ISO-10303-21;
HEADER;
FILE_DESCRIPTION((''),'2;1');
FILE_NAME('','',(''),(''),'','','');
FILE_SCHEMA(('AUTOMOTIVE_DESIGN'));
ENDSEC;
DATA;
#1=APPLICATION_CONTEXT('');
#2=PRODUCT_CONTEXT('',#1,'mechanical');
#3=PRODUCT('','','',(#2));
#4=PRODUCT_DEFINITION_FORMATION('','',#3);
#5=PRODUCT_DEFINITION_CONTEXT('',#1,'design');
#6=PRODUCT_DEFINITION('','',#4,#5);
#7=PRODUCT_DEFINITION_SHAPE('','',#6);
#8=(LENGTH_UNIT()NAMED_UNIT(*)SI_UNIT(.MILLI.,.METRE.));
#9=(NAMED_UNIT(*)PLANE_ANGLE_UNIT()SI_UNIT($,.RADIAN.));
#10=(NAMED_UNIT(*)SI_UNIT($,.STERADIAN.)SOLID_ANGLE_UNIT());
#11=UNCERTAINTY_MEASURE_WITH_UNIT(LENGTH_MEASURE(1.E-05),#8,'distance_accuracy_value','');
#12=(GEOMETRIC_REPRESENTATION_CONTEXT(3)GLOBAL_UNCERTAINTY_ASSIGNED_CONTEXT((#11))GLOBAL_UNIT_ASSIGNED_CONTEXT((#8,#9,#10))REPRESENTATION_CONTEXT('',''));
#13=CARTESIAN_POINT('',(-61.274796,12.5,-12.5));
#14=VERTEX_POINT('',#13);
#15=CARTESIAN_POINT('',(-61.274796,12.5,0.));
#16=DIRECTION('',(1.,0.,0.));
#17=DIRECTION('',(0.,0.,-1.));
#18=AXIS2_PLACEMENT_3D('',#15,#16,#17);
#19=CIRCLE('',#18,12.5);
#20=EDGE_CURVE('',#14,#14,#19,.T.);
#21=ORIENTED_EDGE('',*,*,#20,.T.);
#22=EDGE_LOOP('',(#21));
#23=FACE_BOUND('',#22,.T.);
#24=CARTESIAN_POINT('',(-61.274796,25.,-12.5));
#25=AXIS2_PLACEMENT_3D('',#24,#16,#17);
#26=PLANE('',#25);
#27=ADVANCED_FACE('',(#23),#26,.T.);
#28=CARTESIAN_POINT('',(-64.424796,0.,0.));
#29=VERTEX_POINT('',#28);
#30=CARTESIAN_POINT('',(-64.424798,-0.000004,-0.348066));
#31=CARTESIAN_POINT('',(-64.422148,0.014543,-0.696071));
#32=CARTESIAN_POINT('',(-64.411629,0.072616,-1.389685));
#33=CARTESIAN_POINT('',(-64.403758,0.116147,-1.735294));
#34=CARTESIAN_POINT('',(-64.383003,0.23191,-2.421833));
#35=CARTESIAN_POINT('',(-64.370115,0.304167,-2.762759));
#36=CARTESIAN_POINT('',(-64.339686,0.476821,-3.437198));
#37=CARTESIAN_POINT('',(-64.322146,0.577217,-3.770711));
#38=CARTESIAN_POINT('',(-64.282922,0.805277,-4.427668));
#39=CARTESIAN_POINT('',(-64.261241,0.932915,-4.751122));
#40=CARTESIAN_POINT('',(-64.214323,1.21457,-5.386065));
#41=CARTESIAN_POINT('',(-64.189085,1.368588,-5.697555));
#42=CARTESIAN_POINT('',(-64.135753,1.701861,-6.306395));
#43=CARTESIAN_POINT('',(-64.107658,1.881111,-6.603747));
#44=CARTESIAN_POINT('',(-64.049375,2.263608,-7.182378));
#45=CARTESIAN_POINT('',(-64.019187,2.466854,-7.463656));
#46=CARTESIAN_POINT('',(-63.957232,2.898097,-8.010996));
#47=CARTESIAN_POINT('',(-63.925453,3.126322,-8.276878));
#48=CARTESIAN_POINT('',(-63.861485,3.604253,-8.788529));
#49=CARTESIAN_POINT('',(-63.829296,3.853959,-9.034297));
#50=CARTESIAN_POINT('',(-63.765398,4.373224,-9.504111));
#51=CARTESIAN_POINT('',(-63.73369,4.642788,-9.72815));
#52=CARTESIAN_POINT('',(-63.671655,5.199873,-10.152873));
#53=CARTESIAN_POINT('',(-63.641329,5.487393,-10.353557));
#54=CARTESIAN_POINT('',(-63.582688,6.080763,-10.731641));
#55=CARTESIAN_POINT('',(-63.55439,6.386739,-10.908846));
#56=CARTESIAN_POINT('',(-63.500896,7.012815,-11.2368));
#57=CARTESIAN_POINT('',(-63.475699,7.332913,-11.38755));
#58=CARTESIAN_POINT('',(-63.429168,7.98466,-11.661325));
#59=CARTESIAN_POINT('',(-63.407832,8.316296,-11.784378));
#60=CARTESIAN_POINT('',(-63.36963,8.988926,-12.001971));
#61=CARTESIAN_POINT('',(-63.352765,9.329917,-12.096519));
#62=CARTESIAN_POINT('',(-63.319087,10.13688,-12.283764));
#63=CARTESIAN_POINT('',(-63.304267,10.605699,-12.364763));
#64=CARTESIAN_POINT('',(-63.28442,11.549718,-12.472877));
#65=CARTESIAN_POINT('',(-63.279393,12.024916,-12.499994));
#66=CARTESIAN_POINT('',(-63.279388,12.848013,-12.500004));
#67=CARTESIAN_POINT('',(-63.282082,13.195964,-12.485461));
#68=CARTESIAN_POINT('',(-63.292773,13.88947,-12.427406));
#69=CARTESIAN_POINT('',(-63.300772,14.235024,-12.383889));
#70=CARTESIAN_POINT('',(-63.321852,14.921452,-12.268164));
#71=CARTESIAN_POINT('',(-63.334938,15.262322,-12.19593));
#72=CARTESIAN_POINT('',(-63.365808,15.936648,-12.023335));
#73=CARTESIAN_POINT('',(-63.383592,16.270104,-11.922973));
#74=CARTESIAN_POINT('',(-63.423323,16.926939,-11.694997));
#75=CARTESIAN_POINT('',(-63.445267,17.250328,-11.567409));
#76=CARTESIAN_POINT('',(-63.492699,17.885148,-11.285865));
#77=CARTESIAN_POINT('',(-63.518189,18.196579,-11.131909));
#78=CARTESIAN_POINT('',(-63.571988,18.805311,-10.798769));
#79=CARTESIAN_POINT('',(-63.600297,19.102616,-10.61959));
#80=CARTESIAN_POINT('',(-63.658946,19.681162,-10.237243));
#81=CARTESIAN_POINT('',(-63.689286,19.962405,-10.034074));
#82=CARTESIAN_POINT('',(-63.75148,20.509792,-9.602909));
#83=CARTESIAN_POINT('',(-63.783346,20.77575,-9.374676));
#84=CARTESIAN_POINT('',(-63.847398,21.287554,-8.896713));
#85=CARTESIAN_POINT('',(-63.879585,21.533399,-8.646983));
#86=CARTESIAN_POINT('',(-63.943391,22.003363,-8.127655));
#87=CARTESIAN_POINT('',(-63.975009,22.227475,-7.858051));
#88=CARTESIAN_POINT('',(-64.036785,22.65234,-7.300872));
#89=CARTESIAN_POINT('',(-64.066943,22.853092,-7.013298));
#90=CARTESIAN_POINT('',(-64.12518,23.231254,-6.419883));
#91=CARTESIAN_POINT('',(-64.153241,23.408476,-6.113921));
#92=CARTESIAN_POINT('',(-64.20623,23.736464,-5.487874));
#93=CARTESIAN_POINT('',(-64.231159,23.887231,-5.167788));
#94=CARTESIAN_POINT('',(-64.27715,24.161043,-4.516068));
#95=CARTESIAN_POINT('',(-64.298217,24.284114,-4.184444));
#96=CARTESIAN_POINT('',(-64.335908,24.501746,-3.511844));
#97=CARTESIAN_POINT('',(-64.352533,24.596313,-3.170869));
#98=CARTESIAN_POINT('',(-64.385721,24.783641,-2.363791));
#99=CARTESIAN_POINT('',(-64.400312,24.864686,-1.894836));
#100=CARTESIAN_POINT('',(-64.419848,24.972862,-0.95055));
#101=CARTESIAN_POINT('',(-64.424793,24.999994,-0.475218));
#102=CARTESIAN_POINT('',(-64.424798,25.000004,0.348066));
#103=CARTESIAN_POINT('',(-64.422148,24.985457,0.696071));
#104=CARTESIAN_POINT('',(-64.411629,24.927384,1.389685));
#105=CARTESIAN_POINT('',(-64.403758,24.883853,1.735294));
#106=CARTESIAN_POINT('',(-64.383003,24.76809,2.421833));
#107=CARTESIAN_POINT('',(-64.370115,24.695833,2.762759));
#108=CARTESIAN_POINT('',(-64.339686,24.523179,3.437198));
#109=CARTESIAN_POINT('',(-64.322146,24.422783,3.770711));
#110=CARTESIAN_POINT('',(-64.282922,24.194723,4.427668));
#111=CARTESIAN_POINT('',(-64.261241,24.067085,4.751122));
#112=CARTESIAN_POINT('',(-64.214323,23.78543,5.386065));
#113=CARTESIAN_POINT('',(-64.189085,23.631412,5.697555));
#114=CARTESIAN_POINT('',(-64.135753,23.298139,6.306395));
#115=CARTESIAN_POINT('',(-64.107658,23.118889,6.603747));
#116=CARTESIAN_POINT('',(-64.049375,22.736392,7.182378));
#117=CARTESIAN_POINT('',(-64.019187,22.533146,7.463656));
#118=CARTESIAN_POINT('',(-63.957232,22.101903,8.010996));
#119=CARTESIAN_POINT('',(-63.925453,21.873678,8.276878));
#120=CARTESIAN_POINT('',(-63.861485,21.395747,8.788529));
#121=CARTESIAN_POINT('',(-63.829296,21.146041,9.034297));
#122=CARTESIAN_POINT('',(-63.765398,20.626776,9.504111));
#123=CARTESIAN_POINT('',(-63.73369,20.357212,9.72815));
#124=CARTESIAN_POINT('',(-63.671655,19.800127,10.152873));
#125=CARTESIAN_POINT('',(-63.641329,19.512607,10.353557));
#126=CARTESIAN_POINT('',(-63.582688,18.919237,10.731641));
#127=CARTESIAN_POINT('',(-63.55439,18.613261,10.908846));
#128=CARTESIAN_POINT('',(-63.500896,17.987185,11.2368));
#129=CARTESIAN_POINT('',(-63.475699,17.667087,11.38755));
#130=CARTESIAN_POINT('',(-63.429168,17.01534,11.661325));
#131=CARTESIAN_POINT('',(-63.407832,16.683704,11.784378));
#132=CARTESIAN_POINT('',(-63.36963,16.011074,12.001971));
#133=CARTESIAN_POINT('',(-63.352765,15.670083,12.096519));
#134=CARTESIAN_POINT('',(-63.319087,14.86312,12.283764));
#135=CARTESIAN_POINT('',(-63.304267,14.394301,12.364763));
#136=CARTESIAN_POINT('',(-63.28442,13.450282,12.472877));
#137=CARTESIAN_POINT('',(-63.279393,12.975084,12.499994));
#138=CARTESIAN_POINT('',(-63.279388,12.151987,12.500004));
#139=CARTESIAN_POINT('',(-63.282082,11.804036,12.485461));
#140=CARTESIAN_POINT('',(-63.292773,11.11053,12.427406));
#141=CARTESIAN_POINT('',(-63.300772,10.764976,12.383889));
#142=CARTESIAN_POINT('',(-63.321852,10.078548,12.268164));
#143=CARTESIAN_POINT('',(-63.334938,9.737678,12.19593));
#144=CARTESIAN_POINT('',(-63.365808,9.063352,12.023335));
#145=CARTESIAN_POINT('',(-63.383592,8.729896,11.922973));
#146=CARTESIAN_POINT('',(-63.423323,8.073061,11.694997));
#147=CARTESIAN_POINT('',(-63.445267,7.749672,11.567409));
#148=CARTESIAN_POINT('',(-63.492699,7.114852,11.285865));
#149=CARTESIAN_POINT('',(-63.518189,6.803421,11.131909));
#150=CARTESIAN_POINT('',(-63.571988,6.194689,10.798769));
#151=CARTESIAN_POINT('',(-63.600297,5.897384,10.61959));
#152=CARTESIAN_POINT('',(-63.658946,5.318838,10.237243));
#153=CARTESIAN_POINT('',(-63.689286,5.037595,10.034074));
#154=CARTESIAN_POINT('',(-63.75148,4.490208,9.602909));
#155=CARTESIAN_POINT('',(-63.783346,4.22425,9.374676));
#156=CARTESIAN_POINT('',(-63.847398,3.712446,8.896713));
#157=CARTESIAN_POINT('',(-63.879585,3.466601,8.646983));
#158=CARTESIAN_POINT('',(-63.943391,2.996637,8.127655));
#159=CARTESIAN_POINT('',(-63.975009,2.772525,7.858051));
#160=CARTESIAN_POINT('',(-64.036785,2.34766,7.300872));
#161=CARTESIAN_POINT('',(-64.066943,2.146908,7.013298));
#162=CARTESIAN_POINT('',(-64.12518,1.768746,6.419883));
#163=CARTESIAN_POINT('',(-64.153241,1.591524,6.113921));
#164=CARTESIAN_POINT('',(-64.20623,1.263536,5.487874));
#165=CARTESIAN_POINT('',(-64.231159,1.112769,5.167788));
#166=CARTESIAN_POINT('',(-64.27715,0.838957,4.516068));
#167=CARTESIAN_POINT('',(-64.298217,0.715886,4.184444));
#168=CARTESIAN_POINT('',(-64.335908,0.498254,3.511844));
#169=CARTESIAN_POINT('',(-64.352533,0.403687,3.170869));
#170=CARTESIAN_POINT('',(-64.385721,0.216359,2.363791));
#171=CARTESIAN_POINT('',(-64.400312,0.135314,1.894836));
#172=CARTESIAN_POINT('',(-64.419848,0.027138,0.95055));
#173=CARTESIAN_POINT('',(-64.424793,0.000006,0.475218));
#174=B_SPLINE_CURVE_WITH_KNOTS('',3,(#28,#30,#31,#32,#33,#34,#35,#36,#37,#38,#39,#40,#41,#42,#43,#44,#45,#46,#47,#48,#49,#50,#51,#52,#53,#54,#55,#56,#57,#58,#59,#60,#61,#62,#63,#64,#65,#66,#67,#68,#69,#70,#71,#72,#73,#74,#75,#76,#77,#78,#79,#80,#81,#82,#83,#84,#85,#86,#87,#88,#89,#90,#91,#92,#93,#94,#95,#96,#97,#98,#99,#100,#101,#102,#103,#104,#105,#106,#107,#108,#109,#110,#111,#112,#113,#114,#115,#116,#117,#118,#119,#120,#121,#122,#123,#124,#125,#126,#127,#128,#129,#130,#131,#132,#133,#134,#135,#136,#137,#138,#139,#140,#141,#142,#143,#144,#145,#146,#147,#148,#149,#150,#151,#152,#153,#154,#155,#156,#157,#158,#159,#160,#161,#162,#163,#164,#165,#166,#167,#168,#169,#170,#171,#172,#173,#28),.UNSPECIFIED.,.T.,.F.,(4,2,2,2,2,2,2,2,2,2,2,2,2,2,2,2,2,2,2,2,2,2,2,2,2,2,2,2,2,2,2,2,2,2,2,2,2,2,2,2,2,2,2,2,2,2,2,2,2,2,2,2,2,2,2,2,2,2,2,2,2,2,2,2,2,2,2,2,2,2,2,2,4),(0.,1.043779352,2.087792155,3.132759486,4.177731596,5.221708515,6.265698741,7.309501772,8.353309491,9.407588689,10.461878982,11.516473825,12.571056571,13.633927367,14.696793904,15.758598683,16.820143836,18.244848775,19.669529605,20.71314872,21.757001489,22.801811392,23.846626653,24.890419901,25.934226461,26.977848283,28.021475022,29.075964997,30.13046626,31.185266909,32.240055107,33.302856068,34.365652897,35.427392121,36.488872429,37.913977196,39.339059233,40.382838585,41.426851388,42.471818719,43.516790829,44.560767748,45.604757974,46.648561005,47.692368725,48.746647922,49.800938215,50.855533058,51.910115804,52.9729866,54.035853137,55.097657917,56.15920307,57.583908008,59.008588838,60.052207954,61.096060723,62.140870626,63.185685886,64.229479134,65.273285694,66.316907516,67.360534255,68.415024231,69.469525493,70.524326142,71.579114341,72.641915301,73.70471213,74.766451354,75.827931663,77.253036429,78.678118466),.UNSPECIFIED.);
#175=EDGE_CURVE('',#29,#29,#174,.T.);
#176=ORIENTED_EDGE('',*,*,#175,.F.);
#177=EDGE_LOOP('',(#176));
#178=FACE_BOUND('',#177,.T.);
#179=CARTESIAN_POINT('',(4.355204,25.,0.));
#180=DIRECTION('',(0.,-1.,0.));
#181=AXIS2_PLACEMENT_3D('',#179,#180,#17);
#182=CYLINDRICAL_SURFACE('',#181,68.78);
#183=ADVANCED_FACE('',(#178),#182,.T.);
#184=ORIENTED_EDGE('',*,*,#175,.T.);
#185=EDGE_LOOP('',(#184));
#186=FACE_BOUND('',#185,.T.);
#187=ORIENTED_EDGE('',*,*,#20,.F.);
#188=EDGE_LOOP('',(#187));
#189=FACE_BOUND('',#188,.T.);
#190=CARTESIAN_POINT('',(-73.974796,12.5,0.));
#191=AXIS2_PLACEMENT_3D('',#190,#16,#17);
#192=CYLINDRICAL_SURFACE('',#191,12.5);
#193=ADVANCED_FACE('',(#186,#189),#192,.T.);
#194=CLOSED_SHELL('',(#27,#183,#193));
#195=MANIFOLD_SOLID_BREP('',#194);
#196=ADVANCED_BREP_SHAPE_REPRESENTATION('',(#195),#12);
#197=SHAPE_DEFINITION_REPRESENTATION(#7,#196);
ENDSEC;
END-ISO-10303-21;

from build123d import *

# Parameters (mm, degrees)
EXTRUDE_1_DEPTH     = 25
CUT_EXTRUDE_8_DEPTH = 12.7


with BuildPart() as part:
    # 草图1 → 凸台-拉伸1 (new body)
    with BuildSketch(Plane(origin=(0, 0, 0), x_dir=(1, 0, 0), z_dir=(0, 1, 0))):
        with BuildLine():
            Line((-63.279390363, 12.5), (-61.274795665, 12.5))
            Line((-61.274795665, 12.5), (-61.274795665, -12.5))
            Line((-61.274795665, -12.5), (-63.279390363, -12.5))
            ThreePointArc((-63.279390363, -12.5), (-64.424795665, 0), (-63.279390363, 12.5))
        make_face()
    extrude(amount=EXTRUDE_1_DEPTH)

    # 草图2 → 切除-拉伸8 (cut)
    with BuildSketch(Plane(origin=(-61.274795665, 0, 0), x_dir=(0, 0, -1), z_dir=(1, 0, 0))):
        with BuildLine():
            Line((-12.5, 25), (-12.5, 12.5))
            ThreePointArc((-12.5, 12.5), (-8.838834765, 21.338834765), (0, 25))
            Line((0, 25), (-12.5, 25))
        make_face()
        with BuildLine():
            ThreePointArc((0, 25), (8.838834765, 21.338834765), (12.5, 12.5))
            Line((12.5, 12.5), (12.5, 25))
            Line((12.5, 25), (0, 25))
        make_face()
        with BuildLine():
            ThreePointArc((12.5, 12.5), (8.838834765, 3.661165235), (0, 0))
            Line((0, 0), (12.5, 0))
            Line((12.5, 0), (12.5, 12.5))
        make_face()
        with BuildLine():
            Line((-12.5, 12.5), (-12.5, 0))
            Line((-12.5, 0), (0, 0))
            ThreePointArc((0, 0), (-8.838834765, 3.661165235), (-12.5, 12.5))
        make_face()
    extrude(amount=-CUT_EXTRUDE_8_DEPTH, mode=Mode.SUBTRACT)


solid = part.part
